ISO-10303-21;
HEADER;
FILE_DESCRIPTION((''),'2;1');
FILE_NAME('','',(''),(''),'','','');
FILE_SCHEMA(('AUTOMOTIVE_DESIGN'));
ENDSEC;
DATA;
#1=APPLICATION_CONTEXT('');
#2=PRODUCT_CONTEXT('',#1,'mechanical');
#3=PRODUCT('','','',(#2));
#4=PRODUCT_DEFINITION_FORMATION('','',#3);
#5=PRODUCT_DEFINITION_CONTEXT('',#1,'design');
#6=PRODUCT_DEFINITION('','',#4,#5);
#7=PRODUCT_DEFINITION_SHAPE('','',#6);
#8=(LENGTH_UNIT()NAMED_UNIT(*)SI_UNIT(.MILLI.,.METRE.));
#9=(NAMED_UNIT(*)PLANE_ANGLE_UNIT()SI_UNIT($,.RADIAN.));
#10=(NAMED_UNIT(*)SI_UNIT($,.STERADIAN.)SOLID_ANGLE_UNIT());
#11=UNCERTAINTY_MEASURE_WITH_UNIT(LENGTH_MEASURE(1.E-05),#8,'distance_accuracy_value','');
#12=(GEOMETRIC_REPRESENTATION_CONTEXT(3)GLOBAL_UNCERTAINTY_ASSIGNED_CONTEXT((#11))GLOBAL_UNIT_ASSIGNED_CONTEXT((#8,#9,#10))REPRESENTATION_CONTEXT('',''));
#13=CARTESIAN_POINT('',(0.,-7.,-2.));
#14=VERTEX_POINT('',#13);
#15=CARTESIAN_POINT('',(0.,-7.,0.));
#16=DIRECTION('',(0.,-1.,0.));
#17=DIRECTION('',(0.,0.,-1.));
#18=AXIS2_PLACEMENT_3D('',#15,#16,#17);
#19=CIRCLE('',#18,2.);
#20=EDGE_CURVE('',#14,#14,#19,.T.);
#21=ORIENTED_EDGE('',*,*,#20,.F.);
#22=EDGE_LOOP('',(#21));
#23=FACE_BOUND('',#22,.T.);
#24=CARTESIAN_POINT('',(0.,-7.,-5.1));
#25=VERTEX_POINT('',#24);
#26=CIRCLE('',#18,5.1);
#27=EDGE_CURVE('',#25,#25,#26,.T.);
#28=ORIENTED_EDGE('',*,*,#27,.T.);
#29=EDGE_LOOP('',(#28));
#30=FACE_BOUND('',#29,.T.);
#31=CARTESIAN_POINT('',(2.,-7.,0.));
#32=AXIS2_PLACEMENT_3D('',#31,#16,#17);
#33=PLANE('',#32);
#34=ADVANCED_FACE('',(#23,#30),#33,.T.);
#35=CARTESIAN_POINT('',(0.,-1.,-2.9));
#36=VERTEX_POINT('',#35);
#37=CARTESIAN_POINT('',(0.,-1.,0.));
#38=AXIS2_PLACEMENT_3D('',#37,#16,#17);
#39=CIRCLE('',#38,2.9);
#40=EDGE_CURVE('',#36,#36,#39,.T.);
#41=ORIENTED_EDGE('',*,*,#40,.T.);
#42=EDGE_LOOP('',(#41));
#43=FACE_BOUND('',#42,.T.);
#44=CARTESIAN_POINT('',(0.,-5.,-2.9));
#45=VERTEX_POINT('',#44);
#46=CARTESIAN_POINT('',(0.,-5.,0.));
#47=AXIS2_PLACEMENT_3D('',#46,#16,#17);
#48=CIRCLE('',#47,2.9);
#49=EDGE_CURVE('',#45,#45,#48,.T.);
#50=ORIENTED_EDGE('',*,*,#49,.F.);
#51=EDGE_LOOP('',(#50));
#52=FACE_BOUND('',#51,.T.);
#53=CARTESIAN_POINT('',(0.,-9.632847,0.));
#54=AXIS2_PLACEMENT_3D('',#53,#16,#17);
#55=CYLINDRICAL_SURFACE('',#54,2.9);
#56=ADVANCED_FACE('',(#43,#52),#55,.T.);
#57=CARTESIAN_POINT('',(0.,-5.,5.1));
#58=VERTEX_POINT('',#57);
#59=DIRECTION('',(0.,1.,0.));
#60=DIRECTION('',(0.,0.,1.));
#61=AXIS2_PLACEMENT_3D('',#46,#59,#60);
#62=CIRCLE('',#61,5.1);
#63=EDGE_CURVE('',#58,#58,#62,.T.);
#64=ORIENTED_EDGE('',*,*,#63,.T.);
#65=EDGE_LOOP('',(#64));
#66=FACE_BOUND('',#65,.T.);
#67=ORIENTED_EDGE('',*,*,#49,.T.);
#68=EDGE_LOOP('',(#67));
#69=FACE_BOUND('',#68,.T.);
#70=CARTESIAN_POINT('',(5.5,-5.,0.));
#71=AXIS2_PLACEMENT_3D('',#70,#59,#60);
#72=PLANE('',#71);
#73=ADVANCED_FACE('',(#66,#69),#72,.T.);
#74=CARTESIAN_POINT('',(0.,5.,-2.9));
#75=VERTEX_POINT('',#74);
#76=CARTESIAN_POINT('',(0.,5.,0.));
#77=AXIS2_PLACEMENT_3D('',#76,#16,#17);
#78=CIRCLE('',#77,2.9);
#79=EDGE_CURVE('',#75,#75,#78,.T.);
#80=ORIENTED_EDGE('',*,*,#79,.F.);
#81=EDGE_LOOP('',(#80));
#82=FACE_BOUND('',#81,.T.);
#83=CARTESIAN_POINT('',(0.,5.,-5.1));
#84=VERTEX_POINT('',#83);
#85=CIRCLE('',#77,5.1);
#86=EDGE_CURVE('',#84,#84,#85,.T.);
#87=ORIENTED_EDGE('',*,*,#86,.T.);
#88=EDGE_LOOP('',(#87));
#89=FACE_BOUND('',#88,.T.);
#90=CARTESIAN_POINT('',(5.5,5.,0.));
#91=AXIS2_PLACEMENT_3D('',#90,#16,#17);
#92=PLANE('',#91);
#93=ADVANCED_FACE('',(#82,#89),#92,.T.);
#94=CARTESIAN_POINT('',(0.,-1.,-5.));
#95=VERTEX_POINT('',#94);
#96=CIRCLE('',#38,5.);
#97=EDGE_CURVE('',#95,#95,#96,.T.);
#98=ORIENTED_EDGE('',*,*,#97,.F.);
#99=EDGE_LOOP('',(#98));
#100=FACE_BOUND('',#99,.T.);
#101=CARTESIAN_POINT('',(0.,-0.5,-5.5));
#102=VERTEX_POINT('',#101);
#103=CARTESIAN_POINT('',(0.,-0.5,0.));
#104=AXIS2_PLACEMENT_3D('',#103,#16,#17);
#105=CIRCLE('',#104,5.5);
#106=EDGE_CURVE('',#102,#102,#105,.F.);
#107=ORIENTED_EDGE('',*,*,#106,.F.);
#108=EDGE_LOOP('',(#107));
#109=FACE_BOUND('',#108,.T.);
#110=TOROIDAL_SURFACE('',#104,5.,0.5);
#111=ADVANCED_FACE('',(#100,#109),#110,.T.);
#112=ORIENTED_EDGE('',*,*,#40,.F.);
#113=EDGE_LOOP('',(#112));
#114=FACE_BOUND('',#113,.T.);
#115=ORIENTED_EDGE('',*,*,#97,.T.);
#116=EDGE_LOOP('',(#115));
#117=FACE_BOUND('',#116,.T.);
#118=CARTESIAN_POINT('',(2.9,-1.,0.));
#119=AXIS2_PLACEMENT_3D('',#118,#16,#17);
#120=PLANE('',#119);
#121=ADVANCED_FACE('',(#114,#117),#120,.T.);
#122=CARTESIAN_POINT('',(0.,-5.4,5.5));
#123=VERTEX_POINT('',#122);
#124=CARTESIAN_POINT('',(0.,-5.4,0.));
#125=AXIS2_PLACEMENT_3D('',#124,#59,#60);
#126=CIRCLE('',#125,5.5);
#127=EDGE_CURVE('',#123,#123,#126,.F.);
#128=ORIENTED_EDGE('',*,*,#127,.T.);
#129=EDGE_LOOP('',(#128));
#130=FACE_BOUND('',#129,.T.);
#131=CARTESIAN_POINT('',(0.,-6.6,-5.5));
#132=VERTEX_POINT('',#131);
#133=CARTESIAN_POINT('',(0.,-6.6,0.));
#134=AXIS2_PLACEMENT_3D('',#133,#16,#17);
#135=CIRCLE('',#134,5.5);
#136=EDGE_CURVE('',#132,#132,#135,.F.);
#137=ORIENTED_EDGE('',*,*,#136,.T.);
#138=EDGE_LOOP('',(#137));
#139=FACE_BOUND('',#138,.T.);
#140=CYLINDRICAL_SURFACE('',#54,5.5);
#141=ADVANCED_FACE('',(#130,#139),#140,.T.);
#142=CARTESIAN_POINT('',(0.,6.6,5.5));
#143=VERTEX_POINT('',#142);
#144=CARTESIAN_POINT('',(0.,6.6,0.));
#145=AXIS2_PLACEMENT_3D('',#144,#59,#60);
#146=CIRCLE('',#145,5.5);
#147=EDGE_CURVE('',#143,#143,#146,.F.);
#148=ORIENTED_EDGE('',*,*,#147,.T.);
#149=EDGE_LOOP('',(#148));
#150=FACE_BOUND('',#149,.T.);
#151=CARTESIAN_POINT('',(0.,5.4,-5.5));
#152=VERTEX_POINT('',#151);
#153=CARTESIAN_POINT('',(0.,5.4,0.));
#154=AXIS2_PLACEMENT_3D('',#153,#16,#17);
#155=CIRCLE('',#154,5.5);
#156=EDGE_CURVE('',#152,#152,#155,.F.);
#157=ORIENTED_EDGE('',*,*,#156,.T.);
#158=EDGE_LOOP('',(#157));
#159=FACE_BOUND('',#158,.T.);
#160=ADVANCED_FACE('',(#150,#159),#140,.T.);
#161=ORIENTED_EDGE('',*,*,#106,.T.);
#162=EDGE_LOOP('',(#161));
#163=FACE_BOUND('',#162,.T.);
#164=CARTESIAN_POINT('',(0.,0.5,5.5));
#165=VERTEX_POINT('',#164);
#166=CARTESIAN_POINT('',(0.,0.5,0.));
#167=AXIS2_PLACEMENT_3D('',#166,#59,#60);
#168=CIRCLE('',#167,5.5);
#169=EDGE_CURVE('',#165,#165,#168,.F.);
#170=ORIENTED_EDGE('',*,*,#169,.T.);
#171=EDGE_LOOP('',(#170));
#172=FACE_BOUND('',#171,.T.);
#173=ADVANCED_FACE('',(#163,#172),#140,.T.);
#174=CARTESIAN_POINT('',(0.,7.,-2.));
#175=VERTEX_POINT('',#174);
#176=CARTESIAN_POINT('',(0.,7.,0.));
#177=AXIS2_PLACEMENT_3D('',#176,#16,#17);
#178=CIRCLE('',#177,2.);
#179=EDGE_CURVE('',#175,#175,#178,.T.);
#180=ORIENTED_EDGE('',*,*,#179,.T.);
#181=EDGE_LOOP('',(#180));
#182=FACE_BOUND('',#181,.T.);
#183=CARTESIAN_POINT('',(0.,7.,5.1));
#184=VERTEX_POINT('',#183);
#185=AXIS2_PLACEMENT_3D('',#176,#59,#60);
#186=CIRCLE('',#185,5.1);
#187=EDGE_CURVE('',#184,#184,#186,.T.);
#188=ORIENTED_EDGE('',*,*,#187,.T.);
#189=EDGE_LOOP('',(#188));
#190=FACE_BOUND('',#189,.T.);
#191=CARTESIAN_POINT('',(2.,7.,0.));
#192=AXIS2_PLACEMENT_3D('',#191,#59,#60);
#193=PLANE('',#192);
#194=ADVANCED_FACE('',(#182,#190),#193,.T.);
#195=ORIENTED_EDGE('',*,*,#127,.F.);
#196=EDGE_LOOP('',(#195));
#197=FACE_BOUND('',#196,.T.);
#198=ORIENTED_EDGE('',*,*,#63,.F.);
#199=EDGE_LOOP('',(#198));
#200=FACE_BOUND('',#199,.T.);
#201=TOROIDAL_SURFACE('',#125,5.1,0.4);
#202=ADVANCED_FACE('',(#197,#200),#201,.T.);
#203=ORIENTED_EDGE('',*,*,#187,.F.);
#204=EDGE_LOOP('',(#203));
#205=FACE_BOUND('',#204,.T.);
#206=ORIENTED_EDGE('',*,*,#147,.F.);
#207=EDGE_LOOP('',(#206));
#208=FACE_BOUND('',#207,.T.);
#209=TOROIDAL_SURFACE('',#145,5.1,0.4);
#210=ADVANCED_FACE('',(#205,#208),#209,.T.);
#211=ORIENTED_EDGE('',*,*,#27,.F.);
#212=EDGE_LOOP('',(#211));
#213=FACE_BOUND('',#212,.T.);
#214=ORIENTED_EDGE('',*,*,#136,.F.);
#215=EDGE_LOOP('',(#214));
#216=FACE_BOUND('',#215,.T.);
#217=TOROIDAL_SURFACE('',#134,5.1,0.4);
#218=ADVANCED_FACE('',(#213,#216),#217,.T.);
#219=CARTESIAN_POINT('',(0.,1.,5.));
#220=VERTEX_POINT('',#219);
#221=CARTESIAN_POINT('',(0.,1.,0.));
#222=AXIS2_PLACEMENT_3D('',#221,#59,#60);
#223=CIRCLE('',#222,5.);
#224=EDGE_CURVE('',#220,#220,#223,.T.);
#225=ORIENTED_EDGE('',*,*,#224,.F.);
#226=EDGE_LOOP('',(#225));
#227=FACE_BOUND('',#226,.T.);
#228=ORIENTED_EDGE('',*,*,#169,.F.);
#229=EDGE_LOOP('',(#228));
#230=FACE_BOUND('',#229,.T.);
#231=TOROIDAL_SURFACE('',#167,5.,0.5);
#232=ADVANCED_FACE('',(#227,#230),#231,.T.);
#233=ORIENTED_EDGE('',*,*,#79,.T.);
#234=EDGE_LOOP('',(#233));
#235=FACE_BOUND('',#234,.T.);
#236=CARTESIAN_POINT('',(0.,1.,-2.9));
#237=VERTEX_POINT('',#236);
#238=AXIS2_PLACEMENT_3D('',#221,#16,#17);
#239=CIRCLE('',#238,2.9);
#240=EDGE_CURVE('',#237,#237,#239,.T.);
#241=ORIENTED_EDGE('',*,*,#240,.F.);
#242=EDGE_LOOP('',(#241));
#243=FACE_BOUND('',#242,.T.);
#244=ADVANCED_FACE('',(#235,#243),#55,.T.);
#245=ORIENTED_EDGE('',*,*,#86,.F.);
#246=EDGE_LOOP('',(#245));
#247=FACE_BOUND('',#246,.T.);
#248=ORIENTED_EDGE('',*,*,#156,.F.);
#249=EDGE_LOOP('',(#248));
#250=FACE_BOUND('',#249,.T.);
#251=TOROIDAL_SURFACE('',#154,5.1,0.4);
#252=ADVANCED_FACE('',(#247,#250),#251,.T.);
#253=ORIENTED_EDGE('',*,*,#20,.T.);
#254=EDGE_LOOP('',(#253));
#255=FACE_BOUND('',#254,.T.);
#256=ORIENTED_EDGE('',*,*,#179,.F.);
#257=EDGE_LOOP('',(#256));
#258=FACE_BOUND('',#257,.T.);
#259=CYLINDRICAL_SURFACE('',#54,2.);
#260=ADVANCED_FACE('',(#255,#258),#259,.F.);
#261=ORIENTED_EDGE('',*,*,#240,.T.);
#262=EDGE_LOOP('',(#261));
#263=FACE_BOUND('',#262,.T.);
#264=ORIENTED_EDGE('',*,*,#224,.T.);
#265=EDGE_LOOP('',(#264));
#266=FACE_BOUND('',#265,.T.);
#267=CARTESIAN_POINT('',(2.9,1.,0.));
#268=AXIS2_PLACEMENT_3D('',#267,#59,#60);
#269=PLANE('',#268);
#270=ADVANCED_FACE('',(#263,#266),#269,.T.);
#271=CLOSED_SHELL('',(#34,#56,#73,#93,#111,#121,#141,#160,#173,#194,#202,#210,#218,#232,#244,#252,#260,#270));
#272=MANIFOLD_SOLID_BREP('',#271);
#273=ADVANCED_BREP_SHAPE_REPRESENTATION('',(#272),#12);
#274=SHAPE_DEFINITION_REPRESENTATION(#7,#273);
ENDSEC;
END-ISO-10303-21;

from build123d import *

# Parameters (mm, degrees)
FILLET_1_R = 0.5
FILLET_2_R = 0.4


with BuildPart() as part:
    # 草图1 → 旋转1 (revolve)
    with BuildSketch(Plane.XY, mode=Mode.PRIVATE) as revolve_1_sk:
        Polygon((2, 7), (5.5, 7), (5.5, 5), (2.9, 5), (2.9, 1), (5.5, 1), (5.5, -1), (2.9, -1), (2.9, -5), (5.5, -5), (5.5, -7), (2, -7), align=None)
    revolve(revolve_1_sk.sketch.rotate(Axis((0, -9.632847305, 0), (0, 1, 0)), 90), axis=Axis((0, -9.632847305, 0), (0, 1, 0)))

    # 圆角1
    fillet_1_edges = [part.edges().sort_by_distance(p)[0] for p in [
        (0, 1, 5.5),
        (0, -1, 5.5),
    ]]
    fillet(fillet_1_edges, radius=FILLET_1_R)

    # 圆角2
    fillet_2_edges = [part.edges().sort_by_distance(p)[0] for p in [
        (0, 5, 5.5),
        (0, -5, 5.5),
        (0, -7, 5.5),
        (0, 7, 5.5),
    ]]
    fillet(fillet_2_edges, radius=FILLET_2_R)


solid = part.part
